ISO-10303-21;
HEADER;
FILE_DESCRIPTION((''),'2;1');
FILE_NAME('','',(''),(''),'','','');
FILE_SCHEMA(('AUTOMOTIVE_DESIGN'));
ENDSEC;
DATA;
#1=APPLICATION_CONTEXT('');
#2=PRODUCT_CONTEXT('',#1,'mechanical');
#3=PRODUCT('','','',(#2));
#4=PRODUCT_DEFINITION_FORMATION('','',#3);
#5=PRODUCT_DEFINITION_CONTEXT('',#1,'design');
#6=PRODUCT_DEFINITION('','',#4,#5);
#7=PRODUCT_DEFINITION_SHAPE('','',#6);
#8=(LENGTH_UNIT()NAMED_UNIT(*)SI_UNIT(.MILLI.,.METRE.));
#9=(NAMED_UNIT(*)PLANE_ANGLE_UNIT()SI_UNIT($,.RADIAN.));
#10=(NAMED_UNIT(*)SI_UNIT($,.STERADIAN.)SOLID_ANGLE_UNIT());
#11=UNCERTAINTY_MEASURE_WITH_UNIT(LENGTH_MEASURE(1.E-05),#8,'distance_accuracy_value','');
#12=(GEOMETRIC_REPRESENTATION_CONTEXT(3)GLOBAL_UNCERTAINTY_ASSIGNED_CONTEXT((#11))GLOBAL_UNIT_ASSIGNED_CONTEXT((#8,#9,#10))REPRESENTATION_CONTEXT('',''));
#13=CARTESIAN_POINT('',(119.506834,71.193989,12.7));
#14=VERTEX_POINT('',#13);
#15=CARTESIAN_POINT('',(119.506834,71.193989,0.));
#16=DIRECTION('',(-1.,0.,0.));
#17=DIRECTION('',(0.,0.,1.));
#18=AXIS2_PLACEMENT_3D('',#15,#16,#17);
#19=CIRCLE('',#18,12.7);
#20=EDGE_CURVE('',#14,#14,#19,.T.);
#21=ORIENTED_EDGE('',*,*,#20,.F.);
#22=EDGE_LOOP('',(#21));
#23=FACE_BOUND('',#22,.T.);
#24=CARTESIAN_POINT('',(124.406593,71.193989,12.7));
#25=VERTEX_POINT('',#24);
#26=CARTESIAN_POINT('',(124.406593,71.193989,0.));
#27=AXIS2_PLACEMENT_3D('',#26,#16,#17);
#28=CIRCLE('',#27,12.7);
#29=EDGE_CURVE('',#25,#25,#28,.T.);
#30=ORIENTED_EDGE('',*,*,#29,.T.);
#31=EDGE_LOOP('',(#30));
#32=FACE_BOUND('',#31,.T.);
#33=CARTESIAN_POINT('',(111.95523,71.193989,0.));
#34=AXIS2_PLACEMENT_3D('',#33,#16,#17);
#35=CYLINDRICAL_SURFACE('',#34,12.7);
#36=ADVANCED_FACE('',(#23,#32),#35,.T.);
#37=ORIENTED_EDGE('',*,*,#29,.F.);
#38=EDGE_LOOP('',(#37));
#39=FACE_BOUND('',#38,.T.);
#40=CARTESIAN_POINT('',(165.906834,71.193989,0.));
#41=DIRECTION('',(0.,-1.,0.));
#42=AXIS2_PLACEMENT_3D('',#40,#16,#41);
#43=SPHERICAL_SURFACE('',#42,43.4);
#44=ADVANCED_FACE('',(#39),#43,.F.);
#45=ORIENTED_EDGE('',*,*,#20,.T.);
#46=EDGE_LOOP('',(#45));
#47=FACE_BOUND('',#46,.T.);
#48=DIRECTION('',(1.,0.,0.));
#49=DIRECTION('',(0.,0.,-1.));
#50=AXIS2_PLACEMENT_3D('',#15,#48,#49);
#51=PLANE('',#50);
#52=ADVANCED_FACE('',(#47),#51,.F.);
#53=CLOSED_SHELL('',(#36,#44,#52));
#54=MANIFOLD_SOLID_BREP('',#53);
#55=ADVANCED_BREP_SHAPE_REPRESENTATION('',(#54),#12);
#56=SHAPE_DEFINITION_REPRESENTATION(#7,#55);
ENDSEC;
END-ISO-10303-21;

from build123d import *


with BuildPart() as part:
    # 草图1 → 旋转1 (revolve)
    with BuildSketch(Plane.XY, mode=Mode.PRIVATE) as revolve_1_sk:
        with BuildLine():
            Line((119.506834179, 71.193989087), (119.506834179, 83.893989087))
            Line((119.506834179, 83.893989087), (124.406593215, 83.893989087))
            ThreePointArc((124.406593215, 83.893989087), (122.984401478, 77.614641008), (122.506834179, 71.193989087))
            Line((122.506834179, 71.193989087), (119.506834179, 71.193989087))
        make_face()
    revolve(revolve_1_sk.sketch.rotate(Axis((111.955229758, 71.193989087, 0), (1, 0, 0)), 180), axis=Axis((111.955229758, 71.193989087, 0), (1, 0, 0)))  # turned: the seam where the file's is


solid = part.part
